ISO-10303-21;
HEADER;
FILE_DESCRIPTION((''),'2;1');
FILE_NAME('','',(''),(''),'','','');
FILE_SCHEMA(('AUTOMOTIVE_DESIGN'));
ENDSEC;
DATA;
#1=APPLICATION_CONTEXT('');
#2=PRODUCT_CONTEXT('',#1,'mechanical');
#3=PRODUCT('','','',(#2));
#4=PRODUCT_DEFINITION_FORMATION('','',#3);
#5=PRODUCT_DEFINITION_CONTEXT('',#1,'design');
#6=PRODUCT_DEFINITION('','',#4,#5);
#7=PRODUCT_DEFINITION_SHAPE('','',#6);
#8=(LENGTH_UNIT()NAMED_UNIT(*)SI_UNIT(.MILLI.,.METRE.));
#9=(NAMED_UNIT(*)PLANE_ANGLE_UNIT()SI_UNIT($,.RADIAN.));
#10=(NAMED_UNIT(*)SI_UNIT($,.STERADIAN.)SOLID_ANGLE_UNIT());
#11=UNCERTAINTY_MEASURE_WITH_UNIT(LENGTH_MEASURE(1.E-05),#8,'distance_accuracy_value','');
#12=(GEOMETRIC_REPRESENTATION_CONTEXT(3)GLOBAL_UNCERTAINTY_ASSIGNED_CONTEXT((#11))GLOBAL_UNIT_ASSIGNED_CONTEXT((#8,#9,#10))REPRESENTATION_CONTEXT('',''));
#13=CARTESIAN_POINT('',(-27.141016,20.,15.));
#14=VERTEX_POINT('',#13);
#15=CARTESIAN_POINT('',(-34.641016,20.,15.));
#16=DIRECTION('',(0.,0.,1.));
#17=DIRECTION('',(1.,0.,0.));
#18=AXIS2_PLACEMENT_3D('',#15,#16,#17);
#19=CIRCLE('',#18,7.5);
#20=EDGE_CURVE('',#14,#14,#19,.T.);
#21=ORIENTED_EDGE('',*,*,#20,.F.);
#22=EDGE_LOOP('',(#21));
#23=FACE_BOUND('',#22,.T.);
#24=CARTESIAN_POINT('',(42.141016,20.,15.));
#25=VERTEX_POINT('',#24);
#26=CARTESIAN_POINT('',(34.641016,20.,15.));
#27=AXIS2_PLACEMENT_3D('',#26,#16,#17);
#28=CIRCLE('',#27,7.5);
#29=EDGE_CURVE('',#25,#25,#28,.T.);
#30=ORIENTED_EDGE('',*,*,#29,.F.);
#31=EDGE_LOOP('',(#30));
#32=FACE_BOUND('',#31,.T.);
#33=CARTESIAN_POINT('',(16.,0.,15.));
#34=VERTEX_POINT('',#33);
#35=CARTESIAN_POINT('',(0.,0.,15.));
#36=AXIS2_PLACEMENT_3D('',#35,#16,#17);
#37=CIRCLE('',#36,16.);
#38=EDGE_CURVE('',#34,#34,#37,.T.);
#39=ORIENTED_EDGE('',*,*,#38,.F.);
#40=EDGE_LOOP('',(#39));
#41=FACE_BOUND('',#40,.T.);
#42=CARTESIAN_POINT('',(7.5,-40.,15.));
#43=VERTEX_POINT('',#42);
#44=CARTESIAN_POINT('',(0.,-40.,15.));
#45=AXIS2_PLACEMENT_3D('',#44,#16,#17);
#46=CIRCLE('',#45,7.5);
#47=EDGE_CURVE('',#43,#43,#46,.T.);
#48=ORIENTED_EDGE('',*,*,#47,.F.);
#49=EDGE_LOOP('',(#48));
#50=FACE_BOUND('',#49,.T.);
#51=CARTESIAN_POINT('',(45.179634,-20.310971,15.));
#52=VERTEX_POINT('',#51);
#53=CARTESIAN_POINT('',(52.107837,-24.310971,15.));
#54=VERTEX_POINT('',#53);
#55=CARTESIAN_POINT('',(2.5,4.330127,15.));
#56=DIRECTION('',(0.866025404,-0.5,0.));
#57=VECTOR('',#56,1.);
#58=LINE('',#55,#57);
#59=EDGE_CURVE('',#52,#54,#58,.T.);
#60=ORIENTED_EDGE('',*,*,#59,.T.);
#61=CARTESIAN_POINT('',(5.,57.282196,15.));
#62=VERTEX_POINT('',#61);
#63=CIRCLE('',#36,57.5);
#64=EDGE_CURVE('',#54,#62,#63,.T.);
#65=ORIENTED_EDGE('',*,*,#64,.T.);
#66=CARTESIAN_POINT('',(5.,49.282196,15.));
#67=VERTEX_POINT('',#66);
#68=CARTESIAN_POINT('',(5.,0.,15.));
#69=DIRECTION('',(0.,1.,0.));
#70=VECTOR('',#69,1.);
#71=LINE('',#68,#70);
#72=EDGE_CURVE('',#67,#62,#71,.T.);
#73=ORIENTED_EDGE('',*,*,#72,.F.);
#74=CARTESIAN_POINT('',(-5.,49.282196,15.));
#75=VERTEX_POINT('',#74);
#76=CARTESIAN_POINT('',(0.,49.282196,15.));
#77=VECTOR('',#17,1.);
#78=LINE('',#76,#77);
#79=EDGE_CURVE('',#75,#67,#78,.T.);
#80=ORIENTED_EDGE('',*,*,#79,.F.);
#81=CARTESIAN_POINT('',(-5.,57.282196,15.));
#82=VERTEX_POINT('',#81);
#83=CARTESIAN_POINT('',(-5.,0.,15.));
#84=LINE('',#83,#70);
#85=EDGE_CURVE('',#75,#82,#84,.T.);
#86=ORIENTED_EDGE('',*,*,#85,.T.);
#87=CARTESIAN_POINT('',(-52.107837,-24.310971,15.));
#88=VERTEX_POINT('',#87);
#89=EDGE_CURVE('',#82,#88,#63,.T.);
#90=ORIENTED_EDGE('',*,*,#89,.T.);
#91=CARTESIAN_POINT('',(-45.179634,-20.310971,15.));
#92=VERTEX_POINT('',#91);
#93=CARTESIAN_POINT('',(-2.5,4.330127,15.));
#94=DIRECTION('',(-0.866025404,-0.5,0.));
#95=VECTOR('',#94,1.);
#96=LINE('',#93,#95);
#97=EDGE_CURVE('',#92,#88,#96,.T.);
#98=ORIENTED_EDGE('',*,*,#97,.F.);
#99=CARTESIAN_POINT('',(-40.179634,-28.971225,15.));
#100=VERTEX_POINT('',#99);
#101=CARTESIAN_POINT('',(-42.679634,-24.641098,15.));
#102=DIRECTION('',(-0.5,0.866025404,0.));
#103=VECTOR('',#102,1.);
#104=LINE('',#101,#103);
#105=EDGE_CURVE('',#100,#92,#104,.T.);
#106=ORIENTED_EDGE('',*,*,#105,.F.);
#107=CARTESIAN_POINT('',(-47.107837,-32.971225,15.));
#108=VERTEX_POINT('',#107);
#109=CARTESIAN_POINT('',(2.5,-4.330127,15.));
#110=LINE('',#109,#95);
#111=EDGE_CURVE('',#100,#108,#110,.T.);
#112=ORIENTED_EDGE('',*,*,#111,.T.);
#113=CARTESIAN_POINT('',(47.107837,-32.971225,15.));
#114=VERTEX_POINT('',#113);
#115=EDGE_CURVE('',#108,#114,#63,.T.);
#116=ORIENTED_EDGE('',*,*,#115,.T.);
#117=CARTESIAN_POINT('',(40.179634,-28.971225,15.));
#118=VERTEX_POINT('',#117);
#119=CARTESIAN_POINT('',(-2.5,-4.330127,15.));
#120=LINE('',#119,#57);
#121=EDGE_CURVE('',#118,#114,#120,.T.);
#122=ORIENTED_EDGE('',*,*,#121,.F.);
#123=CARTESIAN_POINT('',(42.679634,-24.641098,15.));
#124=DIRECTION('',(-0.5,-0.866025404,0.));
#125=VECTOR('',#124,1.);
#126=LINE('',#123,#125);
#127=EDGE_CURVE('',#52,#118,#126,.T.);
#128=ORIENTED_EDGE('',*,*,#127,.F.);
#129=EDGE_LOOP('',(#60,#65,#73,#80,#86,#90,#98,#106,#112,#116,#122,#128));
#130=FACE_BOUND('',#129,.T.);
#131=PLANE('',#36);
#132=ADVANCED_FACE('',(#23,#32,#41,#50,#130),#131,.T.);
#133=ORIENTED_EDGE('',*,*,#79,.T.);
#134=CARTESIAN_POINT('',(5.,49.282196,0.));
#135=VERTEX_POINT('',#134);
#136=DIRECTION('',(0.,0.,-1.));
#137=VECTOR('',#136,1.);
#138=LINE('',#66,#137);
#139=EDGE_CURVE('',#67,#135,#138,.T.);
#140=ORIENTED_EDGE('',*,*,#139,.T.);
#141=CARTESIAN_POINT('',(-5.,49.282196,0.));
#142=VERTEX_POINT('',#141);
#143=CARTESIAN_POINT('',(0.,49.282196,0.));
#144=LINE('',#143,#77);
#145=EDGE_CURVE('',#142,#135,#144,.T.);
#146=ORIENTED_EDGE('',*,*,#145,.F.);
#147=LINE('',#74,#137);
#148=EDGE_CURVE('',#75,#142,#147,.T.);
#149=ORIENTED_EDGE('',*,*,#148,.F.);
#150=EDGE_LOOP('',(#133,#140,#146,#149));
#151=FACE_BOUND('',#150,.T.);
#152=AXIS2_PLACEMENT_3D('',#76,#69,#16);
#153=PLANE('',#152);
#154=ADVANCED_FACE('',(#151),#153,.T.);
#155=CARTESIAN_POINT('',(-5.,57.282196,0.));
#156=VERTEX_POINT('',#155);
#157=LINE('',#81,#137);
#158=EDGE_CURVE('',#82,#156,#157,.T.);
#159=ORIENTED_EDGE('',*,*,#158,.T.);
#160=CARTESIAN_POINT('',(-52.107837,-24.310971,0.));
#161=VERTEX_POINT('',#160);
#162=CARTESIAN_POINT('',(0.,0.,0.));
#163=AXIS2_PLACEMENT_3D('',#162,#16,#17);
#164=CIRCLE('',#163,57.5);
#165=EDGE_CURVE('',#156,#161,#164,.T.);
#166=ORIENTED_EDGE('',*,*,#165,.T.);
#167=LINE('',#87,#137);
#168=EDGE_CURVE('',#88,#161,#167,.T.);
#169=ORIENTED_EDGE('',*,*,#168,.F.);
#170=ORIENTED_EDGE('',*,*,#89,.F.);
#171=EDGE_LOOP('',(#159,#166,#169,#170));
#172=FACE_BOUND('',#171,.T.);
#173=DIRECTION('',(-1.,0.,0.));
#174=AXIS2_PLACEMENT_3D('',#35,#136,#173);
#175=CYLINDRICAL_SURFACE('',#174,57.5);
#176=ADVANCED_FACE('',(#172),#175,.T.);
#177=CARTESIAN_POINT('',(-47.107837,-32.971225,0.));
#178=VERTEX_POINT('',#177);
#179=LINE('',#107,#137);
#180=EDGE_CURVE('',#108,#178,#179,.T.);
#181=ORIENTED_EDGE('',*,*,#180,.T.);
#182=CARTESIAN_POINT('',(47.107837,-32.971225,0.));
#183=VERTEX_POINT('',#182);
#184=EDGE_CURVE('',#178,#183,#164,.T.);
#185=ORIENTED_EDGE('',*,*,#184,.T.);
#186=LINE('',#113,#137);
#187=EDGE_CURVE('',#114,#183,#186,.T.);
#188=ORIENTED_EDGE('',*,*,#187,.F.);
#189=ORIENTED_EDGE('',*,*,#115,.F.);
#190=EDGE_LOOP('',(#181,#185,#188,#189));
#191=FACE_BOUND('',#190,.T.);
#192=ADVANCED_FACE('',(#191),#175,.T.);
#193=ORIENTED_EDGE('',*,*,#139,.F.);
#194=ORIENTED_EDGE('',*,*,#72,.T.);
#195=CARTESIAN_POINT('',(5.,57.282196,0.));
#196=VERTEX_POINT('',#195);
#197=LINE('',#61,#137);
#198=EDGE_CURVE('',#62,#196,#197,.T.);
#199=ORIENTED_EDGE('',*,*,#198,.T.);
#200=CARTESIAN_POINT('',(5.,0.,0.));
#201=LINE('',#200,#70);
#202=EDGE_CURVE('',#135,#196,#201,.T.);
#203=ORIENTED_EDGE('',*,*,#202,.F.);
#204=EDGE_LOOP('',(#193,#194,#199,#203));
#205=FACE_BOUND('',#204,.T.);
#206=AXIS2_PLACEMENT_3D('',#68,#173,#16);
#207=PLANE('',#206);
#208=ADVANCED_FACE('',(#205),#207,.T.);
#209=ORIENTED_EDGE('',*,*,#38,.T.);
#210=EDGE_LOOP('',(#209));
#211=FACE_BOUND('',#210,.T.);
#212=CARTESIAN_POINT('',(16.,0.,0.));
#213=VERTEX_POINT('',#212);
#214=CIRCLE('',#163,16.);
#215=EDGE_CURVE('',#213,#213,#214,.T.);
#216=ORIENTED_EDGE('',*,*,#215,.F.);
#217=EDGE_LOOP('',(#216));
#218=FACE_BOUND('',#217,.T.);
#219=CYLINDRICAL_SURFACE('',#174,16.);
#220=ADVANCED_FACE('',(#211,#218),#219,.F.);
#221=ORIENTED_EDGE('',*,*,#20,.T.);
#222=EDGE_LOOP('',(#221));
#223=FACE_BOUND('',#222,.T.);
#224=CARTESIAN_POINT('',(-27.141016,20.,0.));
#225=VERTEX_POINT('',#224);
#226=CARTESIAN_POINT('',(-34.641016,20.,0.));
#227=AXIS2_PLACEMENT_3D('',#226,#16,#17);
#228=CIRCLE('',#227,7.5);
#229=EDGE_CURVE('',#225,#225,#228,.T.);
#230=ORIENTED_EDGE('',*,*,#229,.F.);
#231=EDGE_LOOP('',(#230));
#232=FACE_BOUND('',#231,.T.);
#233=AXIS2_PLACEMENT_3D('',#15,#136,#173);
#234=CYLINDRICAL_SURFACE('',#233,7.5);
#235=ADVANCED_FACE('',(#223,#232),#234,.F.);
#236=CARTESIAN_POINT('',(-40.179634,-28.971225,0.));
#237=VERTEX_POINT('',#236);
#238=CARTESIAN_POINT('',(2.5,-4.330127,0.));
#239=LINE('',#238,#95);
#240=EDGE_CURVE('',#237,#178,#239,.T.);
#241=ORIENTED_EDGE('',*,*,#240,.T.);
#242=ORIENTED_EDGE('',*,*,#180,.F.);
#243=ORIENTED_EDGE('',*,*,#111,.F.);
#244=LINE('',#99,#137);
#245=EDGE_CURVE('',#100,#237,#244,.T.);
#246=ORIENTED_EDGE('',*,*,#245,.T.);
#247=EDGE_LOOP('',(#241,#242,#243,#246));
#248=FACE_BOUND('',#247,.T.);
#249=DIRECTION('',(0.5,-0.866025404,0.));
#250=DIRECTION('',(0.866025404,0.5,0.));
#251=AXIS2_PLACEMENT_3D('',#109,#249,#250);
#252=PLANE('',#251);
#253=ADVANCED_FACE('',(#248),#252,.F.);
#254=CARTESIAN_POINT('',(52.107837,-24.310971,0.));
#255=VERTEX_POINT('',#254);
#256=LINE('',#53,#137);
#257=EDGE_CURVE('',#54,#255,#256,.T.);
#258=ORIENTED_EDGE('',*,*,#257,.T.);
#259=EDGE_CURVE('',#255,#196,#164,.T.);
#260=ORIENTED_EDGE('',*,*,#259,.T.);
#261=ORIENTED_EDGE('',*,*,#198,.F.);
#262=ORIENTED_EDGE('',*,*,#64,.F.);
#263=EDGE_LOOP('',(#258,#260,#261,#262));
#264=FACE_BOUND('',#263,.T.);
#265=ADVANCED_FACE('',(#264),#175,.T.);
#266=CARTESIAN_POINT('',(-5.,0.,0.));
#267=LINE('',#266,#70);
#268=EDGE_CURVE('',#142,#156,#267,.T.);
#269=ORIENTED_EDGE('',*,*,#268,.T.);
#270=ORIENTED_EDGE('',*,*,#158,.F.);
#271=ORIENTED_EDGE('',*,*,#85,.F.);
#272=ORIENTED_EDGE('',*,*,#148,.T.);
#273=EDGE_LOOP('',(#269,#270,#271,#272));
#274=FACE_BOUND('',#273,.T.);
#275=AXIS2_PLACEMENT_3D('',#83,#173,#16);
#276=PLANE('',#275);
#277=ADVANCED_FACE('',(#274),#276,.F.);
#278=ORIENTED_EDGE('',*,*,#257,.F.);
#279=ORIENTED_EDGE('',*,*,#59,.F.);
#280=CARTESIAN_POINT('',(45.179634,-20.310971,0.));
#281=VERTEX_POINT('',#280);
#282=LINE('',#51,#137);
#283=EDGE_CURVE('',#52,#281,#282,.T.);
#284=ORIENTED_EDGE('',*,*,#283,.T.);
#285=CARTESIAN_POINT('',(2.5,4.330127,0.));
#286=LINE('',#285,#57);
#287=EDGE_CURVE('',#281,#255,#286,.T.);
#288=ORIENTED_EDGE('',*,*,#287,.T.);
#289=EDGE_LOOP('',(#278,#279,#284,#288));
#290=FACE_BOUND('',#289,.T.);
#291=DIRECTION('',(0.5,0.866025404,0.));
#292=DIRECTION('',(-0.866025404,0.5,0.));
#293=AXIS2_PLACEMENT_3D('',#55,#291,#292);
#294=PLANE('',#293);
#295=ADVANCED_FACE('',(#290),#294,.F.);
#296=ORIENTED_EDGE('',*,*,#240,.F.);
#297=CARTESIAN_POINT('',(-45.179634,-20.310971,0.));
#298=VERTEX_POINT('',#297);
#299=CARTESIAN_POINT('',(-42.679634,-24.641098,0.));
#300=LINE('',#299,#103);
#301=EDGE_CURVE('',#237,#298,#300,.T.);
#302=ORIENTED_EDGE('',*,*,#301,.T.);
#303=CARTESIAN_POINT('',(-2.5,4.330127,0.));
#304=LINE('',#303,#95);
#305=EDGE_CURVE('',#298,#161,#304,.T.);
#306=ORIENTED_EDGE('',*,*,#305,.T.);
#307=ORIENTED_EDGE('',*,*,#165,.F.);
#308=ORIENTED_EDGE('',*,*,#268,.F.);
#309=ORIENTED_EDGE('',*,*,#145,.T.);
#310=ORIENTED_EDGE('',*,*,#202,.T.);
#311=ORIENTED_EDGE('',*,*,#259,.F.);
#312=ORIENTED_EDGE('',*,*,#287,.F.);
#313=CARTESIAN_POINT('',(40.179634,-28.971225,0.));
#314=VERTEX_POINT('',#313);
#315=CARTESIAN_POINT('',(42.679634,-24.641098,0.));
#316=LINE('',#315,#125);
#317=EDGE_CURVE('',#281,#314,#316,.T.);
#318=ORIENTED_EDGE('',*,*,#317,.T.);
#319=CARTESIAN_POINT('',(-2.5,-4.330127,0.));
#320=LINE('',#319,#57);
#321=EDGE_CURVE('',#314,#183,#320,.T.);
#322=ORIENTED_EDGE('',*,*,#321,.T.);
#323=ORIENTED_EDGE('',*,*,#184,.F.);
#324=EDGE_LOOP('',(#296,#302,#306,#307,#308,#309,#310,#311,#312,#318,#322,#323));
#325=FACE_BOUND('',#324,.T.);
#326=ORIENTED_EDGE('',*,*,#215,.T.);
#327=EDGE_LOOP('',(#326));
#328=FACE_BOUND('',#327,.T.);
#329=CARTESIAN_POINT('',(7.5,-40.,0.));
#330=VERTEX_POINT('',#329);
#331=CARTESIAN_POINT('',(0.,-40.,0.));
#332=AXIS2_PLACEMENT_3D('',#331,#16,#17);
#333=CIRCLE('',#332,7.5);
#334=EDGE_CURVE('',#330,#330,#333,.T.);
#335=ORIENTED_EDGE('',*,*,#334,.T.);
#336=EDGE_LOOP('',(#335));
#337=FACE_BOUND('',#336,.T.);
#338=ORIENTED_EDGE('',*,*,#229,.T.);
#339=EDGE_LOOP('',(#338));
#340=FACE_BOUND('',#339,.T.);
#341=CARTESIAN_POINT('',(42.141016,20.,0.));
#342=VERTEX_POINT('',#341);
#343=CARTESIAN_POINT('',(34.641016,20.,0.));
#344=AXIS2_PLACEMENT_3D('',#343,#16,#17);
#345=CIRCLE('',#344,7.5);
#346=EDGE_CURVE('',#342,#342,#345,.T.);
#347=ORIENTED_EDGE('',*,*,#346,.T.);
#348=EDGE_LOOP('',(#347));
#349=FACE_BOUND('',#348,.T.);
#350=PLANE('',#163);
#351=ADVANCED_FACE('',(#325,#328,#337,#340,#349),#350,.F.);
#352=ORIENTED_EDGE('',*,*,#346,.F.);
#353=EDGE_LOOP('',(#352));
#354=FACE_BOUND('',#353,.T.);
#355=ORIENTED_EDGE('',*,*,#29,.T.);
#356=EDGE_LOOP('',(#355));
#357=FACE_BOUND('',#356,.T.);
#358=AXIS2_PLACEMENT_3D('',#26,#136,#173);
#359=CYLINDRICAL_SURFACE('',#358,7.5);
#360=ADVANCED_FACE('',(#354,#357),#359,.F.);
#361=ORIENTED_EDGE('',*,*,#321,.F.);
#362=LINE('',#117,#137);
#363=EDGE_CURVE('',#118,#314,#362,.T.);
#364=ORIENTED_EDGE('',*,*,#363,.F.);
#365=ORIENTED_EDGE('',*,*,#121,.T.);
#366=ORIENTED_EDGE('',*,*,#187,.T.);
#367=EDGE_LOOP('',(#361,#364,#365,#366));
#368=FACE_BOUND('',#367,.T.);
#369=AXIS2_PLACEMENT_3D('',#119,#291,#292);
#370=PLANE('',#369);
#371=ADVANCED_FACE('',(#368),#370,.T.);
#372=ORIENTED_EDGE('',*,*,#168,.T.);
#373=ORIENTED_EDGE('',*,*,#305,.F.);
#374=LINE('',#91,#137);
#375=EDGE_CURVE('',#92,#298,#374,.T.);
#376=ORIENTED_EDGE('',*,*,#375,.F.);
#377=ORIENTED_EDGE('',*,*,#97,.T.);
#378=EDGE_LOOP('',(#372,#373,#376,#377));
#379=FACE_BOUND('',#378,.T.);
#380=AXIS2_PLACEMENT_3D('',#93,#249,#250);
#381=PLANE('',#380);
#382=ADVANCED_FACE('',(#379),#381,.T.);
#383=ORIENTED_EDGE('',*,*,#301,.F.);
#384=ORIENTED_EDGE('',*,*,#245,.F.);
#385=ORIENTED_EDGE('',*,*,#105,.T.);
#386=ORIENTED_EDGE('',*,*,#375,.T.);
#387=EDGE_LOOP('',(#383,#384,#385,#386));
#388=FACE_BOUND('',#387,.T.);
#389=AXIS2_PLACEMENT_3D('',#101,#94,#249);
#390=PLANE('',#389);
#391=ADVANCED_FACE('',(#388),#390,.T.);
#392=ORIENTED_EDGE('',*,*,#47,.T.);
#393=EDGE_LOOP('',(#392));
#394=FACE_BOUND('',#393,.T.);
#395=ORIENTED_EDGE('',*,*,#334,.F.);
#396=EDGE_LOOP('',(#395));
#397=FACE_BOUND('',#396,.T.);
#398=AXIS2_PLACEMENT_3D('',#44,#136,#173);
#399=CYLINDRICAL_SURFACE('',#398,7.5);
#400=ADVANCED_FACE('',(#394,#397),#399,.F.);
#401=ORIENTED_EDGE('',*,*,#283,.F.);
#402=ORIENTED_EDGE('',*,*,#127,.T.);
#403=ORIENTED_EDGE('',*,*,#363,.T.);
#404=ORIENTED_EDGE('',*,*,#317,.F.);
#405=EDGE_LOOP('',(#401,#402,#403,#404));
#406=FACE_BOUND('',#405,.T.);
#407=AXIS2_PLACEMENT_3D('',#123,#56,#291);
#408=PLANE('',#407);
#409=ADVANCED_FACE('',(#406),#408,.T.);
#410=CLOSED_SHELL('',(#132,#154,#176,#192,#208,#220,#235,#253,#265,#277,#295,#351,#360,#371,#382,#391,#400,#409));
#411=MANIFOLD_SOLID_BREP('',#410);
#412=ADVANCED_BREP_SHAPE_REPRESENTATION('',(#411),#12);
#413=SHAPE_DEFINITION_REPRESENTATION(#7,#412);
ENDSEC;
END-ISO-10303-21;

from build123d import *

# Parameters (mm, degrees)
SKETCH1_R           = 7.5
SKETCH1_R_2         = 16
BOSS_EXTRUDE1_DEPTH = 15


with BuildPart() as part:
    # Sketch1 → Boss-Extrude1 (new body)
    with BuildSketch(Plane.XY):
        with BuildLine():
            Line((5, 49.282196187), (-5, 49.282196187))
            Line((-5, 49.282196187), (-5, 57.282196187))
            ThreePointArc((-5, 57.282196187), (-49.796460718, 28.75), (-52.107837082, -24.310971075))
            Line((-52.107837082, -24.310971075), (-45.179633852, -20.310971075))
            Line((-45.179633852, -20.310971075), (-40.179633852, -28.971225112))
            Line((-40.179633852, -28.971225112), (-47.107837082, -32.971225112))
            ThreePointArc((-47.107837082, -32.971225112), (0, -57.5), (47.107837082, -32.971225112))
            Line((47.107837082, -32.971225112), (40.179633852, -28.971225112))
            Line((40.179633852, -28.971225112), (45.179633852, -20.310971075))
            Line((45.179633852, -20.310971075), (52.107837082, -24.310971075))
            ThreePointArc((52.107837082, -24.310971075), (56.135775724, -12.450890887), (57.5, 0))
            ThreePointArc((57.5, 0), (42.389562395, 38.85067567), (5, 57.282196187))
            Line((5, 57.282196187), (5, 49.282196187))
        make_face()
        with Locations((0, -40)):
            Circle(SKETCH1_R, mode=Mode.SUBTRACT)
        with Locations((-34.641016151, 20)):
            Circle(SKETCH1_R, mode=Mode.SUBTRACT)
        Circle(SKETCH1_R_2, mode=Mode.SUBTRACT)
        with Locations((34.641016151, 20)):
            Circle(SKETCH1_R, mode=Mode.SUBTRACT)
    extrude(amount=BOSS_EXTRUDE1_DEPTH)


solid = part.part
